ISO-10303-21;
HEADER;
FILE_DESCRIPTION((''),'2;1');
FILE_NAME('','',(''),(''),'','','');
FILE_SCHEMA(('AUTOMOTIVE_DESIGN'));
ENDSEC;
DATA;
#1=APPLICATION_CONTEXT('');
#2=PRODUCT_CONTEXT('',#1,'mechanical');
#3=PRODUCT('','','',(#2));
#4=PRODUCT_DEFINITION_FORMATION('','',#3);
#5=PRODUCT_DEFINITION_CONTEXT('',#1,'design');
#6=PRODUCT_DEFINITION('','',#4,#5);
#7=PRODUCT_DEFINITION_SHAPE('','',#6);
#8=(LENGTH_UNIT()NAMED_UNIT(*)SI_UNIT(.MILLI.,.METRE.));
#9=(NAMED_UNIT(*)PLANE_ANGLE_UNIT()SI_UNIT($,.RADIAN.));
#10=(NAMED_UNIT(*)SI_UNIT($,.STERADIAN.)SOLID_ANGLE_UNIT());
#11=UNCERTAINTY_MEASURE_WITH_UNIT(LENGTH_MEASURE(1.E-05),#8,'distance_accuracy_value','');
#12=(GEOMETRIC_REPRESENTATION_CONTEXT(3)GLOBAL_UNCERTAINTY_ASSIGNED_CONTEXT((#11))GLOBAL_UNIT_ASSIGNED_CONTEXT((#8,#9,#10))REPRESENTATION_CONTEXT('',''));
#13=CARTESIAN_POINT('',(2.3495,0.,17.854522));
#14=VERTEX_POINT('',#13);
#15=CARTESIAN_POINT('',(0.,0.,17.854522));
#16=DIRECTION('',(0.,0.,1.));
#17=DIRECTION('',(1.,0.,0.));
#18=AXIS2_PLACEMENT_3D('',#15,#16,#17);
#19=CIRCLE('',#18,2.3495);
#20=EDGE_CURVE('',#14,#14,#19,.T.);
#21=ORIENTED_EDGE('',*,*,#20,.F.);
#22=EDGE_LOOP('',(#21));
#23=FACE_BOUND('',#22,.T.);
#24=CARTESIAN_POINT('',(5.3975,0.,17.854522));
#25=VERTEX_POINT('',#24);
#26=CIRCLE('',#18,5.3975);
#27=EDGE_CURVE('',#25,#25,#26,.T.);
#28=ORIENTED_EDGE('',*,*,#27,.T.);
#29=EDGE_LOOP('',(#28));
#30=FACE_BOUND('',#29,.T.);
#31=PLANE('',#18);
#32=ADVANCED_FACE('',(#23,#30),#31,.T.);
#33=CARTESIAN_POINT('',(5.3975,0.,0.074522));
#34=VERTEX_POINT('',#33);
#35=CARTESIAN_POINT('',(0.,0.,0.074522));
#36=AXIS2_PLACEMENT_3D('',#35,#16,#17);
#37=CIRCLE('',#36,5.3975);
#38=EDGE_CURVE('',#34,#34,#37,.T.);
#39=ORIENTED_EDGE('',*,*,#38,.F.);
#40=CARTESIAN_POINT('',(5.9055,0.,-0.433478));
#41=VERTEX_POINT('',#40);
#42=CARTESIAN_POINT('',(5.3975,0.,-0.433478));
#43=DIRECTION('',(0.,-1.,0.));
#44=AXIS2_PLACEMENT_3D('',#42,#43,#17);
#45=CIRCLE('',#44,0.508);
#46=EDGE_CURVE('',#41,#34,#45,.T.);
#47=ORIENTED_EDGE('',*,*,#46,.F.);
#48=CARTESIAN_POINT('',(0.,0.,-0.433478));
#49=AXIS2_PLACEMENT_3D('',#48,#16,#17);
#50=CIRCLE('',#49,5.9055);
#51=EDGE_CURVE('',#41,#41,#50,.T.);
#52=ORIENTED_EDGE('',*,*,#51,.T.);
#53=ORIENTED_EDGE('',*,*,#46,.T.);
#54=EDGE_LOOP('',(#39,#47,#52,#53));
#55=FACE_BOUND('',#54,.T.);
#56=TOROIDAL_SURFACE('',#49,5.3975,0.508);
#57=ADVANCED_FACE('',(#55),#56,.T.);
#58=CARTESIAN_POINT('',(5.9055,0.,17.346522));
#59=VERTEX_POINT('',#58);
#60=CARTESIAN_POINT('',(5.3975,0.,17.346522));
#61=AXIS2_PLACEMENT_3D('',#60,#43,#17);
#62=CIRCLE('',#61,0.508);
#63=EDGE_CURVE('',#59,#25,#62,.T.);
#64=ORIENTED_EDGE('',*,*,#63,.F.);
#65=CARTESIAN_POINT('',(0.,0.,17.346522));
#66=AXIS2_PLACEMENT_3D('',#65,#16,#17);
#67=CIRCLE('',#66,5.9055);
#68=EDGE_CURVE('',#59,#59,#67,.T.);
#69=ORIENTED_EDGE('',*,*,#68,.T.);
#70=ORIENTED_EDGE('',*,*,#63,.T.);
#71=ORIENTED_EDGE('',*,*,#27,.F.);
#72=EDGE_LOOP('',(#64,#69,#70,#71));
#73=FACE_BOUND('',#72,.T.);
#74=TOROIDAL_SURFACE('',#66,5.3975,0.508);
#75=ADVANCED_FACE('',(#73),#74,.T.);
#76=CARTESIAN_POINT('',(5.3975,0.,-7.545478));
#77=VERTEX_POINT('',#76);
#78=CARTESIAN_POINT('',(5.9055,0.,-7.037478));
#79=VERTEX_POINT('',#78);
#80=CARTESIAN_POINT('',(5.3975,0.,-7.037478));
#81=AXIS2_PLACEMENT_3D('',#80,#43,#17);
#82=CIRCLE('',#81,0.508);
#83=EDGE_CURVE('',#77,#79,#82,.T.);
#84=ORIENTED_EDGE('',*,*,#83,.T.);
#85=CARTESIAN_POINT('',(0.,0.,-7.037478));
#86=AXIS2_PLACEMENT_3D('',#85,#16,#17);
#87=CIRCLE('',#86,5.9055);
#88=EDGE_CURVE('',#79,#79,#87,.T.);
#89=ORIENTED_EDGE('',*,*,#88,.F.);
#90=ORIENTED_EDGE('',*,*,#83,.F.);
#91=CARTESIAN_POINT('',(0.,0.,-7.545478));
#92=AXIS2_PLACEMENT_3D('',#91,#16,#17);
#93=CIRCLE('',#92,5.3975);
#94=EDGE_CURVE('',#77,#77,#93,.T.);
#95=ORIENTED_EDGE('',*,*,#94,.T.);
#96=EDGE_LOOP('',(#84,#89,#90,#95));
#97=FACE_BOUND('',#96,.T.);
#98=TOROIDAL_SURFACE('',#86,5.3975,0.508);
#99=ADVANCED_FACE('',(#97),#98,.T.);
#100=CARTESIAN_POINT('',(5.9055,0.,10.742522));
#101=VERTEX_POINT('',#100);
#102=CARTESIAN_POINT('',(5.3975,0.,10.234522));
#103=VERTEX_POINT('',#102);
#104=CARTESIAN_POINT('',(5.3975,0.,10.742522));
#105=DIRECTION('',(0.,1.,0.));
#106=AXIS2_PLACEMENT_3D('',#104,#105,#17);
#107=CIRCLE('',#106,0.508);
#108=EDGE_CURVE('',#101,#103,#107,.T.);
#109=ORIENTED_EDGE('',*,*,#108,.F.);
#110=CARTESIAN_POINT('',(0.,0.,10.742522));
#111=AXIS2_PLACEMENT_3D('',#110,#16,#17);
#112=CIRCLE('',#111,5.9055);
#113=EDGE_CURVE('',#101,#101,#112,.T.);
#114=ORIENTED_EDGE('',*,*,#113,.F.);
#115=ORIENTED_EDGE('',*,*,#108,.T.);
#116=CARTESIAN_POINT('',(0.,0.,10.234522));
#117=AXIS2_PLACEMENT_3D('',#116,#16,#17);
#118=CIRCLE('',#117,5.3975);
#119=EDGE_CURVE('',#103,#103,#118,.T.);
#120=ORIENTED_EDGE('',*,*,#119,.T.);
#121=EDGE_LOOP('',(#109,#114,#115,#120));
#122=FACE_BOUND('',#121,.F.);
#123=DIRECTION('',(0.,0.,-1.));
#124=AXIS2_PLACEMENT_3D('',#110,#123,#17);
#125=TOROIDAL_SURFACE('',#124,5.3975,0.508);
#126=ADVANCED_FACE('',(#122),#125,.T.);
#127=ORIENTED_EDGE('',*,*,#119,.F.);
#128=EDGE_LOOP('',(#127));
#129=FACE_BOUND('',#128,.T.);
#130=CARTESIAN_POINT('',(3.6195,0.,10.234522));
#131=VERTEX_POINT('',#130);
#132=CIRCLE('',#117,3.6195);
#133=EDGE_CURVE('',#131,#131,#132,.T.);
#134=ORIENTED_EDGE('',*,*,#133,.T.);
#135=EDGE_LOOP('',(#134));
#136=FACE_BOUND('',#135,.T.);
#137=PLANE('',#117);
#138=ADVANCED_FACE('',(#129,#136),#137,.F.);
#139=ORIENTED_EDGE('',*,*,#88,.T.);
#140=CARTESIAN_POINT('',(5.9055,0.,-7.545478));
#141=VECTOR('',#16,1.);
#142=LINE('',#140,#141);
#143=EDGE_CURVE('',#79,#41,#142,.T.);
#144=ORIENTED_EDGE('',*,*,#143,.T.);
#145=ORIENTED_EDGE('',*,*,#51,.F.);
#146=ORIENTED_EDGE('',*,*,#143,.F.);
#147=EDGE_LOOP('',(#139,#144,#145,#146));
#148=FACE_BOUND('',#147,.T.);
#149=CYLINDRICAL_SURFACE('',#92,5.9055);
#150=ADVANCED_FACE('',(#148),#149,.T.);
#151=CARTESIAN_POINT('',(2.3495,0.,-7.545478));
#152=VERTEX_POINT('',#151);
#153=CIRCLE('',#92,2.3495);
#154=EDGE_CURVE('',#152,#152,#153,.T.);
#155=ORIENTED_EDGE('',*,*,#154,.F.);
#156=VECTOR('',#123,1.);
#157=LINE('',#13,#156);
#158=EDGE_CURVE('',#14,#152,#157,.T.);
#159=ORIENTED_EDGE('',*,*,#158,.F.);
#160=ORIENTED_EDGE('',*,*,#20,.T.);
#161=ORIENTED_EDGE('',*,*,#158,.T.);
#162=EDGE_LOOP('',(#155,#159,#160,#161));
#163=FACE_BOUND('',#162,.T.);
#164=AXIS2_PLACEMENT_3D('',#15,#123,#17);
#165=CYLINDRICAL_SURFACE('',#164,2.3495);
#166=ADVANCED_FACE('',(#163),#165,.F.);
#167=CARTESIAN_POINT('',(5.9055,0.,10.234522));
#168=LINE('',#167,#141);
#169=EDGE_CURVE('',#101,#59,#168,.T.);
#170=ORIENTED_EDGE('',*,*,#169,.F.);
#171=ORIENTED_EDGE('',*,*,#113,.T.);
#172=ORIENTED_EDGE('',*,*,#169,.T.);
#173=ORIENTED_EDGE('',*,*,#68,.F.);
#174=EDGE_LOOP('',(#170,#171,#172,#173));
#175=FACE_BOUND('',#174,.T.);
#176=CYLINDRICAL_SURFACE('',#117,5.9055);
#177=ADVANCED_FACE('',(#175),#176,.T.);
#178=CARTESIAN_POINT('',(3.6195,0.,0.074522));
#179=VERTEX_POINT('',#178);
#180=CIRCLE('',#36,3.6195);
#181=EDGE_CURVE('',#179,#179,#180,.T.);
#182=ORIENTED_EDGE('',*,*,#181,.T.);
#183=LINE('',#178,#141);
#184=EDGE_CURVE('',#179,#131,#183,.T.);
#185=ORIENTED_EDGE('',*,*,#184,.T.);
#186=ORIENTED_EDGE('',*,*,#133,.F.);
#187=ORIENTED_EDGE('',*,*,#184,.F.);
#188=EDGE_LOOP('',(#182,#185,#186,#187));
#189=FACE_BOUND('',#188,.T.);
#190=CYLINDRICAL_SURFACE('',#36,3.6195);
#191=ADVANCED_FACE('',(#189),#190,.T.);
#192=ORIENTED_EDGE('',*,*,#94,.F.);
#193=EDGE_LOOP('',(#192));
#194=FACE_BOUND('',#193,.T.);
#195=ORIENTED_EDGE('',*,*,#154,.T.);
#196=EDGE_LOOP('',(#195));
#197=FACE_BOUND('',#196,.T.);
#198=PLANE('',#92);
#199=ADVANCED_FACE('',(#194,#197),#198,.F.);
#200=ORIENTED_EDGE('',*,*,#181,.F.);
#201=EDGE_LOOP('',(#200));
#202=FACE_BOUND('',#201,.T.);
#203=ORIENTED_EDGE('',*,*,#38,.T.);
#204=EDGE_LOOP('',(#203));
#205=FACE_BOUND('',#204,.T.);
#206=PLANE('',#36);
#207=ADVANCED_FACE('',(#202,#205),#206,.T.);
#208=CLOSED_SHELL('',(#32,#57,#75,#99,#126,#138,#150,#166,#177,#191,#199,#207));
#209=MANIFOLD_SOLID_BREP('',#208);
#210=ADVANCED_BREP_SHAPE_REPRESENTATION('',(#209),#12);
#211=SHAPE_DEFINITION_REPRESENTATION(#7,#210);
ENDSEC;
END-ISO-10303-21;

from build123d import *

# Parameters (mm, degrees)
F2_R = 0.508
F3_R = 0.508


with BuildPart() as f1:
    # F0 (on Front) → F1 (revolve)
    with BuildSketch(Plane.XZ):
        Polygon((5.9055, 10.234522), (5.9055, 17.854522), (2.3495, 17.854522), (2.3495, -7.545478), (5.9055, -7.545478), (5.9055, 0.074522), (3.6195, 0.074522), (3.6195, 10.234522), align=None)
    revolve(axis=Axis((0, 0, 1.306427), (0, 0, 1)))

    # F2
    f2_edges = [f1.edges().sort_by_distance(p)[0] for p in [
        (-5.9055, 0, 17.854522),
        (-5.9055, 0, 10.234522),
        (-5.9055, 0, 0.074522),
    ]]
    fillet(f2_edges, radius=F2_R)

    # F3
    f3_edges = [f1.edges().sort_by_distance(p)[0] for p in [
        (-5.9055, 0, -7.545478),
    ]]
    fillet(f3_edges, radius=F3_R)


solid = f1.part
